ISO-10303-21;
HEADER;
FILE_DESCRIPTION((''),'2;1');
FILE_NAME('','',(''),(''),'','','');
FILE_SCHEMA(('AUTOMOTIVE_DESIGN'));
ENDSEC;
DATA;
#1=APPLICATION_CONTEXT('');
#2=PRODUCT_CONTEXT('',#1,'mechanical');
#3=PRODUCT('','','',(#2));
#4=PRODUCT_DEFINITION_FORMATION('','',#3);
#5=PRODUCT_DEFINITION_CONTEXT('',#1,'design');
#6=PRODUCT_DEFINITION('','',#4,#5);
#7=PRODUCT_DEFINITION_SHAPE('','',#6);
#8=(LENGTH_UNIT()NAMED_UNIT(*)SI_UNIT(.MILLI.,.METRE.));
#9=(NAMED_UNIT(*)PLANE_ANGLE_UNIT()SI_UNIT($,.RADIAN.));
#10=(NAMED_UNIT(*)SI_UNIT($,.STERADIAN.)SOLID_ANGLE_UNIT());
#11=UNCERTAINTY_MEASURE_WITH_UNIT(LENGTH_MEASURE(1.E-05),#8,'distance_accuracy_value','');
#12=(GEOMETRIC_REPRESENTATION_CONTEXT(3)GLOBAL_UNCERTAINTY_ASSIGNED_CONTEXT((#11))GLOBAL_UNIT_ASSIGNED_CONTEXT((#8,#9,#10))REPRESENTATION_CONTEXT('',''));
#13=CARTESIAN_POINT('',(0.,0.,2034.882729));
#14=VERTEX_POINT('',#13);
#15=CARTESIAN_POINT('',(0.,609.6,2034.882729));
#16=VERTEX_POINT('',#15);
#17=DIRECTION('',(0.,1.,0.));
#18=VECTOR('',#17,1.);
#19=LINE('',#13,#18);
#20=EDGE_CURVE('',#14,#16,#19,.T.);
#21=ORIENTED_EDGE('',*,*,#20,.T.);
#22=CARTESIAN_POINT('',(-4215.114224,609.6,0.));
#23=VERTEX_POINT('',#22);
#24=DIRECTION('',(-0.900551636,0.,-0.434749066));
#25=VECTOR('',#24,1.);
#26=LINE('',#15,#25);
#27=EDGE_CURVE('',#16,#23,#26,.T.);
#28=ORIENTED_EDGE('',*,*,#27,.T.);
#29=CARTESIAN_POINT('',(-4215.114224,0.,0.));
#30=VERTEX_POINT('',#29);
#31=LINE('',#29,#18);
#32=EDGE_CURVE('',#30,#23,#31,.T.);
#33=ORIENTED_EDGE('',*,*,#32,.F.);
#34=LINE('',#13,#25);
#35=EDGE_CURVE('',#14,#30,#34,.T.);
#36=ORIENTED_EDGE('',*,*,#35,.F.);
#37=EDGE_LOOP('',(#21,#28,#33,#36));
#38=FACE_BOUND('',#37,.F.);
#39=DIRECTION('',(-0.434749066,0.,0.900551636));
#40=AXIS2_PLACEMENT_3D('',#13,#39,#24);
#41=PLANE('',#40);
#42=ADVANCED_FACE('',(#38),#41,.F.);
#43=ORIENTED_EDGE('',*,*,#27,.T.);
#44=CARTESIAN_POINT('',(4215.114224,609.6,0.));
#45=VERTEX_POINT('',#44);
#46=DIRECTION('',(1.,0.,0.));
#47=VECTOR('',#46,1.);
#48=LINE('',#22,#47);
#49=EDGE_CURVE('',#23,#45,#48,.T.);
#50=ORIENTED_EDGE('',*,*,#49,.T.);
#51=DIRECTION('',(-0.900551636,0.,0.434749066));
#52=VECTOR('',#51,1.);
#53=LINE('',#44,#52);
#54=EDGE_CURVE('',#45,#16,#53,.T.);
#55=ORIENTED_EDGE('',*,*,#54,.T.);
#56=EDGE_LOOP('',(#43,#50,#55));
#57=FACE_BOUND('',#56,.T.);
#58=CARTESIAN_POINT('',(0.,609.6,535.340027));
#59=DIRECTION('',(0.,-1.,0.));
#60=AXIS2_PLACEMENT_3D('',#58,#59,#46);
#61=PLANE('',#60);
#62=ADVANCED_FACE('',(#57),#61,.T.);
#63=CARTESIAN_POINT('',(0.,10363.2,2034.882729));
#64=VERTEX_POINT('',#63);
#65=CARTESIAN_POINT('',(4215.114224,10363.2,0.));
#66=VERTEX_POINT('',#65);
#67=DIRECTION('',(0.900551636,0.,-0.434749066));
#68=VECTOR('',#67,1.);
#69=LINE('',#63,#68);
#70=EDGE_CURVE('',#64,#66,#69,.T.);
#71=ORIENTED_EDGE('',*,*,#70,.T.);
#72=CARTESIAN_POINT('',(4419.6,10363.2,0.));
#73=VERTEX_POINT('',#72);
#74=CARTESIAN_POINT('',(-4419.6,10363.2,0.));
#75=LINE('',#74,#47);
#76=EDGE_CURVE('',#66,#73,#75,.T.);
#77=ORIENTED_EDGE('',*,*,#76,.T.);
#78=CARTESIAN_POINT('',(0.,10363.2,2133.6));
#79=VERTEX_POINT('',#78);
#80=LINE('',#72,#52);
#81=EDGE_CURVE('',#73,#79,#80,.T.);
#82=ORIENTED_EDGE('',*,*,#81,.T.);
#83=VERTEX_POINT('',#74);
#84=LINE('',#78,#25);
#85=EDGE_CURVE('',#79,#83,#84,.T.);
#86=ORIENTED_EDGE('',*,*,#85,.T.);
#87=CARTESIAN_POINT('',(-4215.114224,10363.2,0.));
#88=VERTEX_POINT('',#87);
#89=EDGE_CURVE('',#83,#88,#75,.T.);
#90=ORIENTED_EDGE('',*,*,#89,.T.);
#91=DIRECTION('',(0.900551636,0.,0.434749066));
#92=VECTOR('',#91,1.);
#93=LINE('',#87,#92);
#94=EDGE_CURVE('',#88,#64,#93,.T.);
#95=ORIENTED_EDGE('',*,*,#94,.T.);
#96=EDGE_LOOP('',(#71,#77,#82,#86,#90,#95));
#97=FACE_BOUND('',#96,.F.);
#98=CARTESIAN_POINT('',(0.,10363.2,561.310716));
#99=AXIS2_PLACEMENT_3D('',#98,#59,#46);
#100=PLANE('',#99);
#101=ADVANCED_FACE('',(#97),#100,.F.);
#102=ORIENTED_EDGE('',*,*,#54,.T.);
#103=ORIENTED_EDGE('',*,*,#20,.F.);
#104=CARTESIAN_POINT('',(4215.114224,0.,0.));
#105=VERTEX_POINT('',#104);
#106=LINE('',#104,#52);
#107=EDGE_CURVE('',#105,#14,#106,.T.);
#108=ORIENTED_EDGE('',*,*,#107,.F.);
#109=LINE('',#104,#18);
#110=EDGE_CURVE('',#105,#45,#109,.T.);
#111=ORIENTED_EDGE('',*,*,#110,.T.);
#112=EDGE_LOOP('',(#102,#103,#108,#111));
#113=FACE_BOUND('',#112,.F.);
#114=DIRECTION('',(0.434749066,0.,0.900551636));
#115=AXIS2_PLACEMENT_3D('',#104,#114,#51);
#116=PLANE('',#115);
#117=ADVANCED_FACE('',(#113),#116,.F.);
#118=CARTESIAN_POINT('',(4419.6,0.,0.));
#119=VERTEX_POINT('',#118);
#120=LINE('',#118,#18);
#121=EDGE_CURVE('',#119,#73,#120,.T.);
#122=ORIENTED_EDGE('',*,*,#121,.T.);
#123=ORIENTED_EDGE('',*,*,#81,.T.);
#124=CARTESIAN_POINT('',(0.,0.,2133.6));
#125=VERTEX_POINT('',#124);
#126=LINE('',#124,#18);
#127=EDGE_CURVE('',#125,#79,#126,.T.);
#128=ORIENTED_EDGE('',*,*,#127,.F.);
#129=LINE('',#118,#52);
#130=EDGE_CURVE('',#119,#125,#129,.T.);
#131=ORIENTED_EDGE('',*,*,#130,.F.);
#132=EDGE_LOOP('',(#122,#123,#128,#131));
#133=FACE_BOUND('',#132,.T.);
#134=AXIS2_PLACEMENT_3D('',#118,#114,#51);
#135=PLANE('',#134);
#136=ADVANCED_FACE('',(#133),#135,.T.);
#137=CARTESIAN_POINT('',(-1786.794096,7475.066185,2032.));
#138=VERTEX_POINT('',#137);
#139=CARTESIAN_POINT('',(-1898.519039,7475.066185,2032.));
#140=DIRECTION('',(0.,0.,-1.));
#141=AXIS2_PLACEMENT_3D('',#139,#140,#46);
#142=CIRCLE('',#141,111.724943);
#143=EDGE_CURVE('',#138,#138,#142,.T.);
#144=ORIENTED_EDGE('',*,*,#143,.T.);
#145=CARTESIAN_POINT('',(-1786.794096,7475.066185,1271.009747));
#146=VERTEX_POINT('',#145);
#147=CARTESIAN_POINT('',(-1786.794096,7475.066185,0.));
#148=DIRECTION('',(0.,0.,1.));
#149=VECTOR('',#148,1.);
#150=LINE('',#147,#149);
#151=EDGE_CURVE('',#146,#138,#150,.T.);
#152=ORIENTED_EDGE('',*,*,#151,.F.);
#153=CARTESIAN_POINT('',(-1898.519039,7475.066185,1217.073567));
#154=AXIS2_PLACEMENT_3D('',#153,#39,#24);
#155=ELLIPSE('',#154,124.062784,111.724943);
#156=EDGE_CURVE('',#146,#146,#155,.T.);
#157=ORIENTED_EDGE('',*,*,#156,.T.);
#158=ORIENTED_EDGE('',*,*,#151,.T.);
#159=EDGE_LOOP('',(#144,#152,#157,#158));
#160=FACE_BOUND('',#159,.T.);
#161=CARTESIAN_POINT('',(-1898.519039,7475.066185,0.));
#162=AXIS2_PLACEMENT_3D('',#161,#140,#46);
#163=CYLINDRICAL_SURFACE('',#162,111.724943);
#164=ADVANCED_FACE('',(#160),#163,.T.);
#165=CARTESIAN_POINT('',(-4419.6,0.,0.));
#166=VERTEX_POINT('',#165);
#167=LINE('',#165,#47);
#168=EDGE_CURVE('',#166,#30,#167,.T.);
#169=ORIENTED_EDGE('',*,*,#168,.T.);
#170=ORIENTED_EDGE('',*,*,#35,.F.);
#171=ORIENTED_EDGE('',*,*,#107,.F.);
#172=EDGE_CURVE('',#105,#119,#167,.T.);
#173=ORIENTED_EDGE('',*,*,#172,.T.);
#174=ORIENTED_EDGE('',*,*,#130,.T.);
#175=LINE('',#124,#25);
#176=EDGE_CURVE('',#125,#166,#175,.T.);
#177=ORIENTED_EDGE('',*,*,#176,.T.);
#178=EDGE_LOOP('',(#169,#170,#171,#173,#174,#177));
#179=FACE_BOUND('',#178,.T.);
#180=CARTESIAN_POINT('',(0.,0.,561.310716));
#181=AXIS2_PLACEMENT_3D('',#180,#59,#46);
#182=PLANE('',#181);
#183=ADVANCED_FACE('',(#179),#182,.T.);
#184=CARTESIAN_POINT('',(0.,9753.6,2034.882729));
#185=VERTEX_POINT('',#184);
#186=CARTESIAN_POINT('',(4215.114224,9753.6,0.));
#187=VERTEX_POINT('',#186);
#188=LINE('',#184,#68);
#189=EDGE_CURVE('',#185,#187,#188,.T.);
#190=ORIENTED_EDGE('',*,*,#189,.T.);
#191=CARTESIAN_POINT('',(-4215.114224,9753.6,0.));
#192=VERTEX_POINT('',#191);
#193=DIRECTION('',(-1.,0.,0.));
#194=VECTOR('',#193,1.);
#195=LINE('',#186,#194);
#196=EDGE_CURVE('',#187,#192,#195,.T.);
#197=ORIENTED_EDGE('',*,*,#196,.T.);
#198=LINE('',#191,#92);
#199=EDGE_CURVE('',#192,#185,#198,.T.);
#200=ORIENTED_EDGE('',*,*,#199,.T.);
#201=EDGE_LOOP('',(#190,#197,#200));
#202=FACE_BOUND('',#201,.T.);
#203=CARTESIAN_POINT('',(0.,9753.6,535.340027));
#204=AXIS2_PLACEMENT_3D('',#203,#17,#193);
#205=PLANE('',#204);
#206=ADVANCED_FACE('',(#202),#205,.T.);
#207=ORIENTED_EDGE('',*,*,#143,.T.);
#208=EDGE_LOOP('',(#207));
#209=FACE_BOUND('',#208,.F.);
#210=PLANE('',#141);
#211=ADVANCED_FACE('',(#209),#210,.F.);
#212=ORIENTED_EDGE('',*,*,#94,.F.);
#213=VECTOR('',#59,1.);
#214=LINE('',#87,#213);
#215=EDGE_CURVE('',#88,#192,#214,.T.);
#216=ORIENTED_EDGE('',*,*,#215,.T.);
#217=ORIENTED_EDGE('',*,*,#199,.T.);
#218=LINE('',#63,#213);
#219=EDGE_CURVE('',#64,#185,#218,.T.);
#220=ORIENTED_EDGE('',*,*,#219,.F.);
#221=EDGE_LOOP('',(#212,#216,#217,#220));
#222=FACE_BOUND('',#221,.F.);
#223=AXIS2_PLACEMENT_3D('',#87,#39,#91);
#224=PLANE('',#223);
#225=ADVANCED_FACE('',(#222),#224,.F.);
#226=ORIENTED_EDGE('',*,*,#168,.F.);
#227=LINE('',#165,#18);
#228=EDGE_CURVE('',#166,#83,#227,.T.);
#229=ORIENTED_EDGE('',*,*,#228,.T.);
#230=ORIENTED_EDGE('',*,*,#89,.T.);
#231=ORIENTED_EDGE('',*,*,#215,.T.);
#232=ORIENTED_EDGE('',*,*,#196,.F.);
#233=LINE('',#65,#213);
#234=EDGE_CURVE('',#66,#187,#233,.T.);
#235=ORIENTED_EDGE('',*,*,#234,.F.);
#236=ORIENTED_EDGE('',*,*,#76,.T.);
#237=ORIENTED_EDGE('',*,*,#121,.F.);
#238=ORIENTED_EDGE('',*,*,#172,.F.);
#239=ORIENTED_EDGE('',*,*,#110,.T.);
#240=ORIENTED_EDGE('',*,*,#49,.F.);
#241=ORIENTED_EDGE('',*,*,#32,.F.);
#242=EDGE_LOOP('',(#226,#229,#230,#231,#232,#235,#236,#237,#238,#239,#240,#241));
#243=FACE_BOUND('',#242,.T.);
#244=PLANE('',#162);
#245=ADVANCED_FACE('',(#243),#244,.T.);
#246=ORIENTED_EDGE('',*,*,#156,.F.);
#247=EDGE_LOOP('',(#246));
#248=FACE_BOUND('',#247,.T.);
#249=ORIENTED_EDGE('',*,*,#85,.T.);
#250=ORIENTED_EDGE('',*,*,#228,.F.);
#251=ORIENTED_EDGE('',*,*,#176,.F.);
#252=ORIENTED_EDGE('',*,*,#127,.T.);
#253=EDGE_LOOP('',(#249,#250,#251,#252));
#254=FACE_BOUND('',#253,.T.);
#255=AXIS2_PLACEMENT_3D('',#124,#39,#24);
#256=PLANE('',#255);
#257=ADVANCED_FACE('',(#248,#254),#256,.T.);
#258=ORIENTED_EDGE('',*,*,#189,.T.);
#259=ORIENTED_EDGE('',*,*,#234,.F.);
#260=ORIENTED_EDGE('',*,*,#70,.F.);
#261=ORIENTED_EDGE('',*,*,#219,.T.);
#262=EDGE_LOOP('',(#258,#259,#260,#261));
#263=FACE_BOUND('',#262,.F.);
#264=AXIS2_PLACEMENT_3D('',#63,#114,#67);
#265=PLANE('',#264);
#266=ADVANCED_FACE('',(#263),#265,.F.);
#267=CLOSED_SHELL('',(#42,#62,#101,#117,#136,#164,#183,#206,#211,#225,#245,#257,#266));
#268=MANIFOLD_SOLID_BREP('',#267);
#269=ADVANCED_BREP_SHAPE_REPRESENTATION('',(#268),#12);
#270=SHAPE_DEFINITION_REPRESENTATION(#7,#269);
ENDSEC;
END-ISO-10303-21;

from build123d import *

# Parameters (mm, degrees)
F1_DEPTH = 10363.2
F3_DEPTH = 609.6
F5_DEPTH = 609.6
F6_R     = 111.724942856
F7_DEPTH = 2032


with BuildPart() as f1:
    # F0 (on Front) → F1 (new body)
    with BuildSketch(Plane.XZ):
        Polygon((-4419.6, 0), (0, 0), (4419.6, 0), (0, 2133.6), align=None)
    extrude(amount=-F1_DEPTH)

    # F2 (on face) → F3 (cut)
    with BuildSketch(Plane.XZ):
        Polygon((0, 2034.8827289295), (-4215.1142242111, 0), (4215.1142242111, 0), align=None)
    extrude(amount=-F3_DEPTH, mode=Mode.SUBTRACT)

    # F4 (on face) → F5 (cut)
    with BuildSketch(Plane(origin=(0, 10363.2, 0), x_dir=(-1, 0, 0), z_dir=(0, 1, 0))):
        Polygon((4215.1142242111, 0), (0, 2034.8827289295), (-4215.1142242111, 0), align=None)
    extrude(amount=-F5_DEPTH, mode=Mode.SUBTRACT)

    # F6 (on face) → F7 (join)
    with BuildSketch(Plane(origin=(0, 0, 0), x_dir=(1, 0, 0), z_dir=(0, 0, -1))):
        with Locations((-1898.5190391541, -7475.0661849976)):
            Circle(F6_R)
    extrude(amount=-F7_DEPTH)


solid = f1.part
